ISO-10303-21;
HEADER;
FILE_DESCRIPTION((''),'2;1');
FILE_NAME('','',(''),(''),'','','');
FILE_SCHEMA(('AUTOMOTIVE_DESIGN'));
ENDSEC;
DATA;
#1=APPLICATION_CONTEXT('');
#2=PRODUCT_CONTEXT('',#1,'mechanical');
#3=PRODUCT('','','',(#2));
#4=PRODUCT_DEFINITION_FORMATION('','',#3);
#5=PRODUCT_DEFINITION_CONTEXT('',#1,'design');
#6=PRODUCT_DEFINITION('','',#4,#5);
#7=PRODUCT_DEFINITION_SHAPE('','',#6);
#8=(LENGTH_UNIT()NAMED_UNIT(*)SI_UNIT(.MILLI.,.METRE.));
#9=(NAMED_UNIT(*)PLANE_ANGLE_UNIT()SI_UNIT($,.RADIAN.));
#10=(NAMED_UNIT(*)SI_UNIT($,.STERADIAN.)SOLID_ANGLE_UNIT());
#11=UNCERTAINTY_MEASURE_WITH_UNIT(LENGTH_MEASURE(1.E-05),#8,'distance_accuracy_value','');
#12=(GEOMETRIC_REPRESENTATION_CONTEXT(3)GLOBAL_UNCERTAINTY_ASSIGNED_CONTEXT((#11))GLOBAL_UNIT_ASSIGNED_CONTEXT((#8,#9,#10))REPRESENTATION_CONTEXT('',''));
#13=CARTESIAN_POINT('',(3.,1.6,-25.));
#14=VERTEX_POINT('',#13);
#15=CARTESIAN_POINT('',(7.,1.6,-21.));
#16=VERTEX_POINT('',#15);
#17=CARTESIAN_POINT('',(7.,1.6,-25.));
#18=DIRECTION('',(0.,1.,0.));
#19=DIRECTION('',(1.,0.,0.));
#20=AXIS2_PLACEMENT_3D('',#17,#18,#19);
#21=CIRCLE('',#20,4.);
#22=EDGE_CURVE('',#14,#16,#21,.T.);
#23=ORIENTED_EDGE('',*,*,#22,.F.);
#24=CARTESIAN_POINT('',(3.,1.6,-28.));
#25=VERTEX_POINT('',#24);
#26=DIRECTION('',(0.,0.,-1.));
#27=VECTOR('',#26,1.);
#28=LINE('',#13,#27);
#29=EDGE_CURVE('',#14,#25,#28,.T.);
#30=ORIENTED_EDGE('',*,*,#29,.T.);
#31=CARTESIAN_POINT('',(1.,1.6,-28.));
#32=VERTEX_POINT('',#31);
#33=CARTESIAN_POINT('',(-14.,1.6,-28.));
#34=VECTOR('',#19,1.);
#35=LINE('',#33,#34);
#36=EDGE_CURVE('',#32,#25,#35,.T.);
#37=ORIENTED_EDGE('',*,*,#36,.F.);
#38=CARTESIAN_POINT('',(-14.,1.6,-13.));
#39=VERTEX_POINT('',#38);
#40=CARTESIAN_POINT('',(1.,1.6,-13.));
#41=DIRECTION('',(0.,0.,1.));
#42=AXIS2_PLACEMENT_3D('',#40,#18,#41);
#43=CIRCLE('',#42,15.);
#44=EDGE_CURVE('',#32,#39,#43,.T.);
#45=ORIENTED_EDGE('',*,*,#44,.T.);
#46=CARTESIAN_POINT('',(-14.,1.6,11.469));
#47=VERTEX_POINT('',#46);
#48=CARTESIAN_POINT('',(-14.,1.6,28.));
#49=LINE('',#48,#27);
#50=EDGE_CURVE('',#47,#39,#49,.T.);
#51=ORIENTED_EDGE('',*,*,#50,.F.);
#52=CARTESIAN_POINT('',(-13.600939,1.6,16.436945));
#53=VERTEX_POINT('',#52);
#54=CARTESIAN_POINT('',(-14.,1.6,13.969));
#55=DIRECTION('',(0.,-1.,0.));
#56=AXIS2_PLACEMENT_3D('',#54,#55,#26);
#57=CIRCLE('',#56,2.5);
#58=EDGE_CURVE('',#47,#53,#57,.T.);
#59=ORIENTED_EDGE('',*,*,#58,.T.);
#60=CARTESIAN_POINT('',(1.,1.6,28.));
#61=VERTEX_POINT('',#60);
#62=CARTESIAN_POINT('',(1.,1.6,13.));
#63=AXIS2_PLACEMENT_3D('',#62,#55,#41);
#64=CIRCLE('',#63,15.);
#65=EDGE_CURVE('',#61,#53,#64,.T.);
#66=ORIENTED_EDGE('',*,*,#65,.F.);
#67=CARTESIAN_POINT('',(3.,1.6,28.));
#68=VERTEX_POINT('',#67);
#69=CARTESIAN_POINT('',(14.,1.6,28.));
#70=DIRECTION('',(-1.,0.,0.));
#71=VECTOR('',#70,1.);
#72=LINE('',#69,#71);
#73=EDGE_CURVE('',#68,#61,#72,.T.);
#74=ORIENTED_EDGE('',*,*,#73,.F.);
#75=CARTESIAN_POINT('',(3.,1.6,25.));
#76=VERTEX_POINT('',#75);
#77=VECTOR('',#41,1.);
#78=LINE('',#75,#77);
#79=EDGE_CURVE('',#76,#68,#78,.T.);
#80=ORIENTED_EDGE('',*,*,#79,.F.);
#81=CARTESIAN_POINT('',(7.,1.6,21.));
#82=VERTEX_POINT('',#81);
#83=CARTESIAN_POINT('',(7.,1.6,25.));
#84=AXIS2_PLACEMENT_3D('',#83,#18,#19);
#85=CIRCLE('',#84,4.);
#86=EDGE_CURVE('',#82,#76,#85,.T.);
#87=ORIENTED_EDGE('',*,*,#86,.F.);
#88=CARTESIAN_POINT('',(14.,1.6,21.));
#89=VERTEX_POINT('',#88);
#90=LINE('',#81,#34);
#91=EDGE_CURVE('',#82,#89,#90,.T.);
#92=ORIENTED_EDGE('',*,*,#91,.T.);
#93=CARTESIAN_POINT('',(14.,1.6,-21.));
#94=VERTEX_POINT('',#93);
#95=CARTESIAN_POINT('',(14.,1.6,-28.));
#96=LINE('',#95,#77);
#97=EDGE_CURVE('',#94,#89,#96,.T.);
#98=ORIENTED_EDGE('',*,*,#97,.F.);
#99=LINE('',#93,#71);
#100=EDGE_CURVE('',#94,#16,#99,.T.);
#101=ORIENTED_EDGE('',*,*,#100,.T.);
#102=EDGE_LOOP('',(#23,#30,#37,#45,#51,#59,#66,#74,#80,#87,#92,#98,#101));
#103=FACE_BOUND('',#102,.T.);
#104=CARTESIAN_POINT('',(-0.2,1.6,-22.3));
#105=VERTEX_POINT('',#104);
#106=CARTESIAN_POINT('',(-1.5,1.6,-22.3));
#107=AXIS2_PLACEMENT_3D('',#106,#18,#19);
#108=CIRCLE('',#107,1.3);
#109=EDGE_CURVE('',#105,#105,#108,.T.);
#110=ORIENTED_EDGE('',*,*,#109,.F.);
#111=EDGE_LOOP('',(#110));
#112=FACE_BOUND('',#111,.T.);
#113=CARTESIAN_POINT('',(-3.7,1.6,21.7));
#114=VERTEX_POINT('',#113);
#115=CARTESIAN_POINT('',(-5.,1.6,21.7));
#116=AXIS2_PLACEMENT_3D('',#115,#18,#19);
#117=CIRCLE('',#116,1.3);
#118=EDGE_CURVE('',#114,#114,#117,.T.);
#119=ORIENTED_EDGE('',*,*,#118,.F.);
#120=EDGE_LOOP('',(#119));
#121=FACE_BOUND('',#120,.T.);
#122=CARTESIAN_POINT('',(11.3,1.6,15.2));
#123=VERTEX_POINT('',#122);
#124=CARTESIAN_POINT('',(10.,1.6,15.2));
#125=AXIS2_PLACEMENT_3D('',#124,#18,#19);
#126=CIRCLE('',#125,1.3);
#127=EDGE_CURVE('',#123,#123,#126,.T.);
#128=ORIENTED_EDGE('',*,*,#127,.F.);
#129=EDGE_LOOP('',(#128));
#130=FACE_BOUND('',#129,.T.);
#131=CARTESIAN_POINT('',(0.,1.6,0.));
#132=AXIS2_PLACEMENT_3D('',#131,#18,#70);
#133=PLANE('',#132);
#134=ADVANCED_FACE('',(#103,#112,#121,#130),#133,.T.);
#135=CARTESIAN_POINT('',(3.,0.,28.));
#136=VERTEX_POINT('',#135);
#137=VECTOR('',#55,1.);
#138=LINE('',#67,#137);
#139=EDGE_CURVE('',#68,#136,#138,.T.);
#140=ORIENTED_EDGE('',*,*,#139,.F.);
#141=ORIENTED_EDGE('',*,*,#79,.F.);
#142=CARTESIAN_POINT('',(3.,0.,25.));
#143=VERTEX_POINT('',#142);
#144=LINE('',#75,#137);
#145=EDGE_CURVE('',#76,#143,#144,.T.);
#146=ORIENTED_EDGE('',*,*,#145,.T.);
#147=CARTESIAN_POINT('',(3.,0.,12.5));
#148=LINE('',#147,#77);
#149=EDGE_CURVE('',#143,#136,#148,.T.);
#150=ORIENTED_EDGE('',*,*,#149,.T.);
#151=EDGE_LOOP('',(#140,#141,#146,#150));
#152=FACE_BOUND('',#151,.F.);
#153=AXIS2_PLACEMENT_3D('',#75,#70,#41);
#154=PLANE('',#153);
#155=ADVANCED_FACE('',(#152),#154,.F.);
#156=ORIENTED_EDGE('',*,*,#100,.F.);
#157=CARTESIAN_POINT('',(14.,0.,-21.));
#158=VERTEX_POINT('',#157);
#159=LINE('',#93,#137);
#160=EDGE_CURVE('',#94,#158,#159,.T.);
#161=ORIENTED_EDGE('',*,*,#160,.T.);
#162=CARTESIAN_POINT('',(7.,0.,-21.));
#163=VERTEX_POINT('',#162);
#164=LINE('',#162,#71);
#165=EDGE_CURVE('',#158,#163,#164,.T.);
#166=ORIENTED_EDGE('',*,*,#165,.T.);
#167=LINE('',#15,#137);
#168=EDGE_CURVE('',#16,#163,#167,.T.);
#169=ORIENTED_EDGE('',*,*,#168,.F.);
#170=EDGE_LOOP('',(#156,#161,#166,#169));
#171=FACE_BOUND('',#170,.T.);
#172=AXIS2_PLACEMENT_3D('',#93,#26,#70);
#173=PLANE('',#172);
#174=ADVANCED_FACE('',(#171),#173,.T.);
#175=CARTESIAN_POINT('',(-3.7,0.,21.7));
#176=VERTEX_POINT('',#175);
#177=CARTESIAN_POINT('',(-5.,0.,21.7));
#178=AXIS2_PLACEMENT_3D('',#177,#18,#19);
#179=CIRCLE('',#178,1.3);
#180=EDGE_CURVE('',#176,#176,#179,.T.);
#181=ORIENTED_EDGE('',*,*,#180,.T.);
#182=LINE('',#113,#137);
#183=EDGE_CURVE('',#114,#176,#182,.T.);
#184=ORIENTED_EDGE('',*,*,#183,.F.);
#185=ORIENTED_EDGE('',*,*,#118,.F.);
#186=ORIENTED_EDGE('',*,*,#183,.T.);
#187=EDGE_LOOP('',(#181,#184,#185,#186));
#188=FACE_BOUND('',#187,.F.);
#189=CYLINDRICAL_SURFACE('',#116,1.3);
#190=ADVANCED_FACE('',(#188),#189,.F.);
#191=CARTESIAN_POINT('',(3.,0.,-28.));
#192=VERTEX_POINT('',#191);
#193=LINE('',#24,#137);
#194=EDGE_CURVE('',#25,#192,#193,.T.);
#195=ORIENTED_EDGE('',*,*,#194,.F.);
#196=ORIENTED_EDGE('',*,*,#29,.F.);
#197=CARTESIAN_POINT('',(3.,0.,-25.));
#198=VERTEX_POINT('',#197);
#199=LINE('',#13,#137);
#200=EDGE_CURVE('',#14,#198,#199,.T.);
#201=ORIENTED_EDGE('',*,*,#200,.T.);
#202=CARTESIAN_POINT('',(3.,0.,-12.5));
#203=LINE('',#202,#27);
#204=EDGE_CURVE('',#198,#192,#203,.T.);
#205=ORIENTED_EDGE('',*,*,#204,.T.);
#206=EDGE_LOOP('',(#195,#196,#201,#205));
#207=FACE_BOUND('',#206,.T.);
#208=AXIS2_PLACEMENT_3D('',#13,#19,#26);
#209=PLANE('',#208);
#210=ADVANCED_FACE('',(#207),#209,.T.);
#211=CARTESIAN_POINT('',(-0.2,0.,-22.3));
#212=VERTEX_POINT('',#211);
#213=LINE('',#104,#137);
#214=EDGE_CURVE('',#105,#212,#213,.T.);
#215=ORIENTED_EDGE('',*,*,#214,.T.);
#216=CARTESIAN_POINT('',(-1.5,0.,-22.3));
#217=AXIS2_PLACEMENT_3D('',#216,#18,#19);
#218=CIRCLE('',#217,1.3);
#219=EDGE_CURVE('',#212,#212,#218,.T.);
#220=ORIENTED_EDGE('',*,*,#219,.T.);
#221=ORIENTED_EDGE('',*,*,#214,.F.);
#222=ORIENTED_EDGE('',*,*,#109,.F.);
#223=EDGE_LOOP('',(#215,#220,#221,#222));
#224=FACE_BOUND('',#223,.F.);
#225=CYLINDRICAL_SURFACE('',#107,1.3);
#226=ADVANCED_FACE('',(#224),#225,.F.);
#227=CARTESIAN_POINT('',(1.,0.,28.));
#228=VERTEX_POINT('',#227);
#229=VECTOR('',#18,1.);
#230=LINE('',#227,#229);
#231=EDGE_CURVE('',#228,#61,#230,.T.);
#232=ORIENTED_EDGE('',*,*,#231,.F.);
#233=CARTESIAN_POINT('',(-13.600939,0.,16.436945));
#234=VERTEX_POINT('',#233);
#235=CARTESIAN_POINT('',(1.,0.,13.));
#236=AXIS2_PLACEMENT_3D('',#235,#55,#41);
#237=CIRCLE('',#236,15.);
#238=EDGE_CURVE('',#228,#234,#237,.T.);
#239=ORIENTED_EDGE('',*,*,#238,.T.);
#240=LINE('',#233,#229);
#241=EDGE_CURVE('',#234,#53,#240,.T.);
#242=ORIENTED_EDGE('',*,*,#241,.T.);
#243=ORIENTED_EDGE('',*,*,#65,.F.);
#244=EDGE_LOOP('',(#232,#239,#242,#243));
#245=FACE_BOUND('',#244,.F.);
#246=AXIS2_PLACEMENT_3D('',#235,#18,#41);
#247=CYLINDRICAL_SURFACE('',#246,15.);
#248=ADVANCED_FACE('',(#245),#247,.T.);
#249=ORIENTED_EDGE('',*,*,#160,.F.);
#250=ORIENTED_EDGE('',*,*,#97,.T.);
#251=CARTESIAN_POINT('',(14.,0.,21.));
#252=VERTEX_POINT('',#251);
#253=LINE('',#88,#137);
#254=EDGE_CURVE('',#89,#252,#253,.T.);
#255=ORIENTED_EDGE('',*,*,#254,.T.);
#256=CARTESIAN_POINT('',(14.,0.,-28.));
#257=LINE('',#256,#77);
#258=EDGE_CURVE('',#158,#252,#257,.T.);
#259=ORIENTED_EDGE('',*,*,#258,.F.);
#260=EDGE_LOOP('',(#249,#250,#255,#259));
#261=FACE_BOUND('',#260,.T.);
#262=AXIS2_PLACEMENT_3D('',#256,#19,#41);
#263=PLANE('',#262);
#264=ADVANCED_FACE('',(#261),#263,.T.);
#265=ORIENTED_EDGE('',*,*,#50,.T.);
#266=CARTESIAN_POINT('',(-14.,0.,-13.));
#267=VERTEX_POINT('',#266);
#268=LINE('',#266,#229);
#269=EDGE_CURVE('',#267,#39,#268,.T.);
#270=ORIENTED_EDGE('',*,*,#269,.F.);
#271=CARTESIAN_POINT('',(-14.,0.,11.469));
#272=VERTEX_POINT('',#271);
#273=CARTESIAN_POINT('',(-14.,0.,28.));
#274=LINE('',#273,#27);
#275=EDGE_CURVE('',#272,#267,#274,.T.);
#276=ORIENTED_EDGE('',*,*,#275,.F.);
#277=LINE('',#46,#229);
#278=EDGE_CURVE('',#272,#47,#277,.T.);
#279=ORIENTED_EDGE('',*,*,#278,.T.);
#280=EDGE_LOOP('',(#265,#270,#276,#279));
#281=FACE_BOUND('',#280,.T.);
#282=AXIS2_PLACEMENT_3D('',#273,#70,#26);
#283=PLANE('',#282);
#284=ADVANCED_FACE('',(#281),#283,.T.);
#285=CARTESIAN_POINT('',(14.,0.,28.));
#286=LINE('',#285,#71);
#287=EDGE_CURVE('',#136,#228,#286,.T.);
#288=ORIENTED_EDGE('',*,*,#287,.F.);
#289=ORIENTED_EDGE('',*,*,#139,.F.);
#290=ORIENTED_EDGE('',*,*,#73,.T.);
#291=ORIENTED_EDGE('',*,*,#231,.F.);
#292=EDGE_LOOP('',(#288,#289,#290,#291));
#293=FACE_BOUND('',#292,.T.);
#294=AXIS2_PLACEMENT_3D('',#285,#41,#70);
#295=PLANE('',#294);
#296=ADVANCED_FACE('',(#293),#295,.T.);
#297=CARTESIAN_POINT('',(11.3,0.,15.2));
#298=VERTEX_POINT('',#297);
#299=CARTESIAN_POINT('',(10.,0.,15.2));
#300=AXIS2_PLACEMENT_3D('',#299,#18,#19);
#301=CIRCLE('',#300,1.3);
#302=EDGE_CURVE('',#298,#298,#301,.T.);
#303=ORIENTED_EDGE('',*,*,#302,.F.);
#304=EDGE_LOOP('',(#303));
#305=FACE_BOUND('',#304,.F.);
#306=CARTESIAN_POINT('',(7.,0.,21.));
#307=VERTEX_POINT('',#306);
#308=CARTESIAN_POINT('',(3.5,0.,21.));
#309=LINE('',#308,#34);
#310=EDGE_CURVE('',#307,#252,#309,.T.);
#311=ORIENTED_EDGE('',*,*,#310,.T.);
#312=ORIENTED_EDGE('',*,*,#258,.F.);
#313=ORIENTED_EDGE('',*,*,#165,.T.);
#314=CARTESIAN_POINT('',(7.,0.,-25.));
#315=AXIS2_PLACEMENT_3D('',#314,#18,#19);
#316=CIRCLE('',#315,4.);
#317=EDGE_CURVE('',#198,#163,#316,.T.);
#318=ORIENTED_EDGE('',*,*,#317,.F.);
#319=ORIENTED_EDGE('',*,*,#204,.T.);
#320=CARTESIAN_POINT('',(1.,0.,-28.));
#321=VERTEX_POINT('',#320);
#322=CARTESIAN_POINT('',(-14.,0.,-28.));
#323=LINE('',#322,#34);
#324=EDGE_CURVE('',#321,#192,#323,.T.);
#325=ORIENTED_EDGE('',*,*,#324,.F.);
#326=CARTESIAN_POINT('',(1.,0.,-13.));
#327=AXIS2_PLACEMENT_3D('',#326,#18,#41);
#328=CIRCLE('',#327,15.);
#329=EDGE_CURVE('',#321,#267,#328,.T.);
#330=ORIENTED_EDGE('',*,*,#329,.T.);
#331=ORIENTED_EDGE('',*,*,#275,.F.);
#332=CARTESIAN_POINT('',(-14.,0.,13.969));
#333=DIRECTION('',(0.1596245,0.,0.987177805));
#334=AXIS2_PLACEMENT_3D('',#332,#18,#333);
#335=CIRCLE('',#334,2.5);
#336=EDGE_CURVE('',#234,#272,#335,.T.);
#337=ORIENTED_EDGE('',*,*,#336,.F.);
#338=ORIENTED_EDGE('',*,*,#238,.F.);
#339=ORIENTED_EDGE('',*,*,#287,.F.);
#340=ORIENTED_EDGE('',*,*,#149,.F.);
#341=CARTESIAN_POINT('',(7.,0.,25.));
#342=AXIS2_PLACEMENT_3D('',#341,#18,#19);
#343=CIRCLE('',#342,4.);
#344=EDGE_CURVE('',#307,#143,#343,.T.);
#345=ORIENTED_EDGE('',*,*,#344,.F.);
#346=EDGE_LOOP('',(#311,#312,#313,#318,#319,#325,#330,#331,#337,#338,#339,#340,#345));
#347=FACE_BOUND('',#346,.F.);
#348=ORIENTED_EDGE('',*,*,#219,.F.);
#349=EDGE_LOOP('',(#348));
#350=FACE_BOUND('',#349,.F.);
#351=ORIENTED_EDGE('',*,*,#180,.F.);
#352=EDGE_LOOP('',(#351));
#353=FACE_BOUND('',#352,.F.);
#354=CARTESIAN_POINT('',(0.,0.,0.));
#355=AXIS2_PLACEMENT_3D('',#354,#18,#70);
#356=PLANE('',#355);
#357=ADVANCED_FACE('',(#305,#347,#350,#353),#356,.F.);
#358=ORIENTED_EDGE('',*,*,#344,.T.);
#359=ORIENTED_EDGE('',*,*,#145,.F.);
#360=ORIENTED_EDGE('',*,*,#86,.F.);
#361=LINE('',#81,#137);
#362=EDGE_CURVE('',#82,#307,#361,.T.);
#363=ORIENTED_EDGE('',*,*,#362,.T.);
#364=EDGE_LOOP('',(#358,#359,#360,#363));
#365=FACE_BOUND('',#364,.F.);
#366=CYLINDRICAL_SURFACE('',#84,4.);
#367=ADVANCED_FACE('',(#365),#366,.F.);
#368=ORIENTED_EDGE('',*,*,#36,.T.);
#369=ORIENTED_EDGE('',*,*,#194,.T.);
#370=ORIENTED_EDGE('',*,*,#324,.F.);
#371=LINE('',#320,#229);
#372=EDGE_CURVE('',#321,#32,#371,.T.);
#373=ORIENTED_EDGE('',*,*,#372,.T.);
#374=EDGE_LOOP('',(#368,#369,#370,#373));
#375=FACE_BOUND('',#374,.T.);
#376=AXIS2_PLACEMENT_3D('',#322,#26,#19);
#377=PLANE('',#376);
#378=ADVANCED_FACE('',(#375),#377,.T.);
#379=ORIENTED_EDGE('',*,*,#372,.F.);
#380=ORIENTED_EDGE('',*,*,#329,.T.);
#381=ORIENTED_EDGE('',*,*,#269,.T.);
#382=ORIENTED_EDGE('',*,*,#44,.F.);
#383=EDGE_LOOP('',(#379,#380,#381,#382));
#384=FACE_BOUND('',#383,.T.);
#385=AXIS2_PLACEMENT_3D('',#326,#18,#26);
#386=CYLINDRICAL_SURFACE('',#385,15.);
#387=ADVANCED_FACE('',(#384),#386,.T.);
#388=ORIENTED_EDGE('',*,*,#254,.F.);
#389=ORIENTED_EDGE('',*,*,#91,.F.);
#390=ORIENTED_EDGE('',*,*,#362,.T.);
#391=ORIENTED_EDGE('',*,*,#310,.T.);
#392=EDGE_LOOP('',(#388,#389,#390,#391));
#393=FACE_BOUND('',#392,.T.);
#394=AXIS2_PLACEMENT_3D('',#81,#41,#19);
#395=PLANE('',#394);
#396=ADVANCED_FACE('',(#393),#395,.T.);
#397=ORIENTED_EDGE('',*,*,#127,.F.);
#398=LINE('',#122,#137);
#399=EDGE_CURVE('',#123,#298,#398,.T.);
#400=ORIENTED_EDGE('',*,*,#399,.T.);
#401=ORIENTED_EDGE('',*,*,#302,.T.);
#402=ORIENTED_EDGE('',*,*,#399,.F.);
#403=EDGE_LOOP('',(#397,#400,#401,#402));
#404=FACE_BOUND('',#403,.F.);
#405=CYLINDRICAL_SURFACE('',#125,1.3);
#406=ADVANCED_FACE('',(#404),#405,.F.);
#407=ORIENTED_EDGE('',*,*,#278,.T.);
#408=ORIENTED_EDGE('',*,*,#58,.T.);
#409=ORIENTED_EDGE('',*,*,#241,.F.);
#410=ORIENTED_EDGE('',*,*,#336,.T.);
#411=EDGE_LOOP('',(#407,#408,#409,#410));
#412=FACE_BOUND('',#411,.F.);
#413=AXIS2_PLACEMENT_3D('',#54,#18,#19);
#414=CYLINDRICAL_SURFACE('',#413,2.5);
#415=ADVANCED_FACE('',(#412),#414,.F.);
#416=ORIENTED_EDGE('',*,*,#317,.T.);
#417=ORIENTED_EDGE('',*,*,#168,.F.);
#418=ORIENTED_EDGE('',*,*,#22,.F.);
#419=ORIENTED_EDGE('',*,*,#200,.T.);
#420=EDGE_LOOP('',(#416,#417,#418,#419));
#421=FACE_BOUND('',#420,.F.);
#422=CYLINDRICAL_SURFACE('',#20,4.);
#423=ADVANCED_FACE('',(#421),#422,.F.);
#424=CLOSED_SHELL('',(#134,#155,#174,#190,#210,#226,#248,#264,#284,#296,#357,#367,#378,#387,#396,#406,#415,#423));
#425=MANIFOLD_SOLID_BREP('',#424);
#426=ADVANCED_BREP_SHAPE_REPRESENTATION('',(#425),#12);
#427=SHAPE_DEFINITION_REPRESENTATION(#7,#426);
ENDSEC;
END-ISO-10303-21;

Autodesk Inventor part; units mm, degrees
ref_plane "YZ Plane" through (0, 0, 0) normal (1, 0, 0) x (0, 1, 0)
ref_plane "XZ Plane" through (0, 0, 0) normal (0, 1, 0) x (-1, 0, 0)
ref_plane "XY Plane" through (0, 0, 0) normal (0, 0, 1) x (1, 0, 0)
sketch "Esquisse1" plane through (0, 0, 0) normal (0, 1, 0) x (-1, 0, 0)
  line L0 (14, -28) -> (-14, -28)
  line L1 (-14, -28) -> (-14, 28)
  line L2 (-14, 28) -> (14, 28)
  line L3 (14, 28) -> (14, -28)
  point P0 (0, 0)
  dimension "d0" = 28
  dimension "d1" = 56
  dimension "d2" = 28
  dimension "d3" = 14
extrude "Extrusion1" add sketch "Esquisse1" along normal blind 1.6
fillet "Congé1" radius 15 2 edges at (-14, 0.8, -28) (-14, 0.8, 28)
sketch "Esquisse2" plane through (0, 1.6, 0) normal (0, 1, 0) x (1, 0, 0)
  circle A0 centre (7, 25) radius 4
  circle A1 centre (7, -25) radius 4
  line L0 (1, -28) -> (14, -28) projected
  line L1 (3, 25) -> (3, 28)
  line L2 (14, 28) -> (1, 28) projected
  line L3 (4.3542, 28) -> (3, 28)
  line L4 (9.6458, 28) -> (14, 28)
  line L5 (14, 28) -> (14, 21)
  line L6 (14, -28) -> (14, 28) projected
  line L7 (14, 21) -> (7, 21)
  line L8 (7, -21) -> (14, -21)
  line L9 (14, -21) -> (14, -28)
  line L10 (14, -28) -> (9.6458, -28)
  line L11 (3, -25) -> (3, -28)
  line L12 (3, -28) -> (4.3542, -28)
  point P0 (0, 0)
  dimension "d7" = 8
  dimension "d8" = 7
  dimension "d9" = 7
  dimension "d10" = 25
  dimension "d11" = 25
extrude "Extrusion3" cut sketch "Esquisse2" against normal through all contours A0 L2 | A0 L2 L5 L7 | L6 L0 A1 L8 | A0 L1 L2 | A1 L0 | A1 L0 L11 picked at (8.3035, 24.6872) picked at (8.2117, -25.5325)
sketch "Esquisse3" plane through (0, 1.6, 0) normal (0, 1, 0) x (1, 0, 0)
  circle A0 centre (-5, -21.7) radius 1.3
  line L0 (-14, 13) -> (-14, -13) projected
  circle A1 centre (-1.5, 22.3) radius 1.3
  circle A2 centre (10, -15.2) radius 1.3
  point P0 (0, 0)
  dimension "d21" = 2.6
  dimension "d23" = 9
  dimension "d30" = 21.7
  dimension "d31" = 2.6
  dimension "d32" = 12.5
  dimension "d33" = 9.3
  dimension "d34" = 2.6
  dimension "d35" = 6.5
  dimension "d36" = 15
extrude "Extrusion4" cut sketch "Esquisse3" against normal through all
sketch "Esquisse4" plane through (0, 1.6, 0) normal (0, 1, 0) x (1, 0, 0)
  circle A0 centre (-14, -13.969) radius 2.5
  line L0 (14, -21) -> (14, 21) projected
  line L1 (7, -21) -> (14, -21) projected
  point P0 (0, 0)
  dimension "d37" = 5
  dimension "d38" = 28
  dimension "d39" = 7.031
extrude "Extrusion5" cut sketch "Esquisse4" against normal through all
equation "\"d2\" = 0.5 * d1"
equation "\"d3\" = 0.5 * d0"
equation "\"d9\" = d8"
equation "\"d11\" = d10"
equation "\"d31\" = d21"
equation "\"d34\" = d21"
properties part number "PCB Gauche" material "Nylon, disulfure de molybdène"
